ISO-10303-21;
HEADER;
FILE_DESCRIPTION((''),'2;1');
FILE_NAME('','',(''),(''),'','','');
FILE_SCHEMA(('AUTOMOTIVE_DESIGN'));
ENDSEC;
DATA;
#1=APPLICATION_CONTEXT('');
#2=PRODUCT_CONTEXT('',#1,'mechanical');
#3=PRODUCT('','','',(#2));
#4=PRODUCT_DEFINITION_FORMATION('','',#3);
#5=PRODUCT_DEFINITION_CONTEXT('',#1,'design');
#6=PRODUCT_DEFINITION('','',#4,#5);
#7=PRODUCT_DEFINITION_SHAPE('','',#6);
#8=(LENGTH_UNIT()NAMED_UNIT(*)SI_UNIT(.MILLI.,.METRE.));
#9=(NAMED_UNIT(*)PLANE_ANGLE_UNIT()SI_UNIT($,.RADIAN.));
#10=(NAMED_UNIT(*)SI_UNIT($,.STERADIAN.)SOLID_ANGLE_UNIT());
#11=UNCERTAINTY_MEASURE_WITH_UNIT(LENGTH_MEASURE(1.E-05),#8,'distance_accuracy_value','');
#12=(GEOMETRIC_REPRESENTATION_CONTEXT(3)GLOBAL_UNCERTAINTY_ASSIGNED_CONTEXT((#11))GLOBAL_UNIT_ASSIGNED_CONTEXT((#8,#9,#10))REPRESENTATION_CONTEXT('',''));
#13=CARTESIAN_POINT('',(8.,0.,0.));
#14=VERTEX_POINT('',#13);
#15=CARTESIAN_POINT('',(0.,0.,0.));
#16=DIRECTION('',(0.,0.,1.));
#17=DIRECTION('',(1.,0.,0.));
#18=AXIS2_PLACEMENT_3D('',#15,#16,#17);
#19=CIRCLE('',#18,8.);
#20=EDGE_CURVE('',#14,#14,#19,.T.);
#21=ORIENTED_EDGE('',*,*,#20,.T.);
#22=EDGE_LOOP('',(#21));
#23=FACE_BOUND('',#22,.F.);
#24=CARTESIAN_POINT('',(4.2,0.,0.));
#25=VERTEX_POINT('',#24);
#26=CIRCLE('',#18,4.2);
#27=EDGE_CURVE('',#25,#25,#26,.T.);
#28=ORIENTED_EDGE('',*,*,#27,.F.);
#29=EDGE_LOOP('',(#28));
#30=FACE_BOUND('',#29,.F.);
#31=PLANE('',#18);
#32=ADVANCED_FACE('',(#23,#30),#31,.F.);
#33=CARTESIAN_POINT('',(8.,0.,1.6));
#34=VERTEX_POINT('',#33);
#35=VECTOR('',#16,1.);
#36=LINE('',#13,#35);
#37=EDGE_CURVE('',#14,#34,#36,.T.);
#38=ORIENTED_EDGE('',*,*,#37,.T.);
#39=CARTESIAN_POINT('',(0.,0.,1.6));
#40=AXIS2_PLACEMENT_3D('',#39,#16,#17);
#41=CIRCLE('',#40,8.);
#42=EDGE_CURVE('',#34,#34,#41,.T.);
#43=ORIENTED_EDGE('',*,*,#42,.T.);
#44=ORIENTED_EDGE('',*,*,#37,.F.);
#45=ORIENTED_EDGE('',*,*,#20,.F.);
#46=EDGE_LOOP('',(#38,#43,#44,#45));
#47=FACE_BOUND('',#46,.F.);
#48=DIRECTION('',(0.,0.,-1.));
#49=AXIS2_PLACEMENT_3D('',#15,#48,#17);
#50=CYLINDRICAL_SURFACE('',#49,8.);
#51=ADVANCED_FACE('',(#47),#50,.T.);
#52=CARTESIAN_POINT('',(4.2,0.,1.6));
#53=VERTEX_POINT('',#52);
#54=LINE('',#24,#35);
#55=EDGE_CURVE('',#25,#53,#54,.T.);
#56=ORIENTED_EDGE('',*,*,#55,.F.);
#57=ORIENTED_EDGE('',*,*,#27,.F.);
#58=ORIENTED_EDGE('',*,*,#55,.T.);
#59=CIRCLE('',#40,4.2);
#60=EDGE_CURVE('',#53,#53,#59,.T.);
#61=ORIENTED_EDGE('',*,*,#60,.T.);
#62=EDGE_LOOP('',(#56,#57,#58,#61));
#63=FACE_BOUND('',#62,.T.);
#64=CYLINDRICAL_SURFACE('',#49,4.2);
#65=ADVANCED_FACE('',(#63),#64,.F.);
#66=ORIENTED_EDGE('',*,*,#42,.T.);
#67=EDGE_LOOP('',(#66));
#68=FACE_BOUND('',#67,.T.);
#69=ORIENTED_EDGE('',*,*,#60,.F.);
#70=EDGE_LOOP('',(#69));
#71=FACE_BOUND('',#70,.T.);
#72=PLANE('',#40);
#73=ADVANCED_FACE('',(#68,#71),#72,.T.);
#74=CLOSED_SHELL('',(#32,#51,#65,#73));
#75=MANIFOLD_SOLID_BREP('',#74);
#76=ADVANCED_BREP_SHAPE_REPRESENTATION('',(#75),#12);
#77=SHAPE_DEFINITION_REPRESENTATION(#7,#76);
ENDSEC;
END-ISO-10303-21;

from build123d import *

# Parameters (mm, degrees)
SKETCH_R   = 8
SKETCH_R_2 = 4.2
PAD_DEPTH  = 1.6


with BuildPart() as part:
    # Sketch → Pad (new body)
    with BuildSketch(Plane.XY):
        Circle(SKETCH_R)
        Circle(SKETCH_R_2, mode=Mode.SUBTRACT)
    extrude(amount=PAD_DEPTH)


solid = part.part
